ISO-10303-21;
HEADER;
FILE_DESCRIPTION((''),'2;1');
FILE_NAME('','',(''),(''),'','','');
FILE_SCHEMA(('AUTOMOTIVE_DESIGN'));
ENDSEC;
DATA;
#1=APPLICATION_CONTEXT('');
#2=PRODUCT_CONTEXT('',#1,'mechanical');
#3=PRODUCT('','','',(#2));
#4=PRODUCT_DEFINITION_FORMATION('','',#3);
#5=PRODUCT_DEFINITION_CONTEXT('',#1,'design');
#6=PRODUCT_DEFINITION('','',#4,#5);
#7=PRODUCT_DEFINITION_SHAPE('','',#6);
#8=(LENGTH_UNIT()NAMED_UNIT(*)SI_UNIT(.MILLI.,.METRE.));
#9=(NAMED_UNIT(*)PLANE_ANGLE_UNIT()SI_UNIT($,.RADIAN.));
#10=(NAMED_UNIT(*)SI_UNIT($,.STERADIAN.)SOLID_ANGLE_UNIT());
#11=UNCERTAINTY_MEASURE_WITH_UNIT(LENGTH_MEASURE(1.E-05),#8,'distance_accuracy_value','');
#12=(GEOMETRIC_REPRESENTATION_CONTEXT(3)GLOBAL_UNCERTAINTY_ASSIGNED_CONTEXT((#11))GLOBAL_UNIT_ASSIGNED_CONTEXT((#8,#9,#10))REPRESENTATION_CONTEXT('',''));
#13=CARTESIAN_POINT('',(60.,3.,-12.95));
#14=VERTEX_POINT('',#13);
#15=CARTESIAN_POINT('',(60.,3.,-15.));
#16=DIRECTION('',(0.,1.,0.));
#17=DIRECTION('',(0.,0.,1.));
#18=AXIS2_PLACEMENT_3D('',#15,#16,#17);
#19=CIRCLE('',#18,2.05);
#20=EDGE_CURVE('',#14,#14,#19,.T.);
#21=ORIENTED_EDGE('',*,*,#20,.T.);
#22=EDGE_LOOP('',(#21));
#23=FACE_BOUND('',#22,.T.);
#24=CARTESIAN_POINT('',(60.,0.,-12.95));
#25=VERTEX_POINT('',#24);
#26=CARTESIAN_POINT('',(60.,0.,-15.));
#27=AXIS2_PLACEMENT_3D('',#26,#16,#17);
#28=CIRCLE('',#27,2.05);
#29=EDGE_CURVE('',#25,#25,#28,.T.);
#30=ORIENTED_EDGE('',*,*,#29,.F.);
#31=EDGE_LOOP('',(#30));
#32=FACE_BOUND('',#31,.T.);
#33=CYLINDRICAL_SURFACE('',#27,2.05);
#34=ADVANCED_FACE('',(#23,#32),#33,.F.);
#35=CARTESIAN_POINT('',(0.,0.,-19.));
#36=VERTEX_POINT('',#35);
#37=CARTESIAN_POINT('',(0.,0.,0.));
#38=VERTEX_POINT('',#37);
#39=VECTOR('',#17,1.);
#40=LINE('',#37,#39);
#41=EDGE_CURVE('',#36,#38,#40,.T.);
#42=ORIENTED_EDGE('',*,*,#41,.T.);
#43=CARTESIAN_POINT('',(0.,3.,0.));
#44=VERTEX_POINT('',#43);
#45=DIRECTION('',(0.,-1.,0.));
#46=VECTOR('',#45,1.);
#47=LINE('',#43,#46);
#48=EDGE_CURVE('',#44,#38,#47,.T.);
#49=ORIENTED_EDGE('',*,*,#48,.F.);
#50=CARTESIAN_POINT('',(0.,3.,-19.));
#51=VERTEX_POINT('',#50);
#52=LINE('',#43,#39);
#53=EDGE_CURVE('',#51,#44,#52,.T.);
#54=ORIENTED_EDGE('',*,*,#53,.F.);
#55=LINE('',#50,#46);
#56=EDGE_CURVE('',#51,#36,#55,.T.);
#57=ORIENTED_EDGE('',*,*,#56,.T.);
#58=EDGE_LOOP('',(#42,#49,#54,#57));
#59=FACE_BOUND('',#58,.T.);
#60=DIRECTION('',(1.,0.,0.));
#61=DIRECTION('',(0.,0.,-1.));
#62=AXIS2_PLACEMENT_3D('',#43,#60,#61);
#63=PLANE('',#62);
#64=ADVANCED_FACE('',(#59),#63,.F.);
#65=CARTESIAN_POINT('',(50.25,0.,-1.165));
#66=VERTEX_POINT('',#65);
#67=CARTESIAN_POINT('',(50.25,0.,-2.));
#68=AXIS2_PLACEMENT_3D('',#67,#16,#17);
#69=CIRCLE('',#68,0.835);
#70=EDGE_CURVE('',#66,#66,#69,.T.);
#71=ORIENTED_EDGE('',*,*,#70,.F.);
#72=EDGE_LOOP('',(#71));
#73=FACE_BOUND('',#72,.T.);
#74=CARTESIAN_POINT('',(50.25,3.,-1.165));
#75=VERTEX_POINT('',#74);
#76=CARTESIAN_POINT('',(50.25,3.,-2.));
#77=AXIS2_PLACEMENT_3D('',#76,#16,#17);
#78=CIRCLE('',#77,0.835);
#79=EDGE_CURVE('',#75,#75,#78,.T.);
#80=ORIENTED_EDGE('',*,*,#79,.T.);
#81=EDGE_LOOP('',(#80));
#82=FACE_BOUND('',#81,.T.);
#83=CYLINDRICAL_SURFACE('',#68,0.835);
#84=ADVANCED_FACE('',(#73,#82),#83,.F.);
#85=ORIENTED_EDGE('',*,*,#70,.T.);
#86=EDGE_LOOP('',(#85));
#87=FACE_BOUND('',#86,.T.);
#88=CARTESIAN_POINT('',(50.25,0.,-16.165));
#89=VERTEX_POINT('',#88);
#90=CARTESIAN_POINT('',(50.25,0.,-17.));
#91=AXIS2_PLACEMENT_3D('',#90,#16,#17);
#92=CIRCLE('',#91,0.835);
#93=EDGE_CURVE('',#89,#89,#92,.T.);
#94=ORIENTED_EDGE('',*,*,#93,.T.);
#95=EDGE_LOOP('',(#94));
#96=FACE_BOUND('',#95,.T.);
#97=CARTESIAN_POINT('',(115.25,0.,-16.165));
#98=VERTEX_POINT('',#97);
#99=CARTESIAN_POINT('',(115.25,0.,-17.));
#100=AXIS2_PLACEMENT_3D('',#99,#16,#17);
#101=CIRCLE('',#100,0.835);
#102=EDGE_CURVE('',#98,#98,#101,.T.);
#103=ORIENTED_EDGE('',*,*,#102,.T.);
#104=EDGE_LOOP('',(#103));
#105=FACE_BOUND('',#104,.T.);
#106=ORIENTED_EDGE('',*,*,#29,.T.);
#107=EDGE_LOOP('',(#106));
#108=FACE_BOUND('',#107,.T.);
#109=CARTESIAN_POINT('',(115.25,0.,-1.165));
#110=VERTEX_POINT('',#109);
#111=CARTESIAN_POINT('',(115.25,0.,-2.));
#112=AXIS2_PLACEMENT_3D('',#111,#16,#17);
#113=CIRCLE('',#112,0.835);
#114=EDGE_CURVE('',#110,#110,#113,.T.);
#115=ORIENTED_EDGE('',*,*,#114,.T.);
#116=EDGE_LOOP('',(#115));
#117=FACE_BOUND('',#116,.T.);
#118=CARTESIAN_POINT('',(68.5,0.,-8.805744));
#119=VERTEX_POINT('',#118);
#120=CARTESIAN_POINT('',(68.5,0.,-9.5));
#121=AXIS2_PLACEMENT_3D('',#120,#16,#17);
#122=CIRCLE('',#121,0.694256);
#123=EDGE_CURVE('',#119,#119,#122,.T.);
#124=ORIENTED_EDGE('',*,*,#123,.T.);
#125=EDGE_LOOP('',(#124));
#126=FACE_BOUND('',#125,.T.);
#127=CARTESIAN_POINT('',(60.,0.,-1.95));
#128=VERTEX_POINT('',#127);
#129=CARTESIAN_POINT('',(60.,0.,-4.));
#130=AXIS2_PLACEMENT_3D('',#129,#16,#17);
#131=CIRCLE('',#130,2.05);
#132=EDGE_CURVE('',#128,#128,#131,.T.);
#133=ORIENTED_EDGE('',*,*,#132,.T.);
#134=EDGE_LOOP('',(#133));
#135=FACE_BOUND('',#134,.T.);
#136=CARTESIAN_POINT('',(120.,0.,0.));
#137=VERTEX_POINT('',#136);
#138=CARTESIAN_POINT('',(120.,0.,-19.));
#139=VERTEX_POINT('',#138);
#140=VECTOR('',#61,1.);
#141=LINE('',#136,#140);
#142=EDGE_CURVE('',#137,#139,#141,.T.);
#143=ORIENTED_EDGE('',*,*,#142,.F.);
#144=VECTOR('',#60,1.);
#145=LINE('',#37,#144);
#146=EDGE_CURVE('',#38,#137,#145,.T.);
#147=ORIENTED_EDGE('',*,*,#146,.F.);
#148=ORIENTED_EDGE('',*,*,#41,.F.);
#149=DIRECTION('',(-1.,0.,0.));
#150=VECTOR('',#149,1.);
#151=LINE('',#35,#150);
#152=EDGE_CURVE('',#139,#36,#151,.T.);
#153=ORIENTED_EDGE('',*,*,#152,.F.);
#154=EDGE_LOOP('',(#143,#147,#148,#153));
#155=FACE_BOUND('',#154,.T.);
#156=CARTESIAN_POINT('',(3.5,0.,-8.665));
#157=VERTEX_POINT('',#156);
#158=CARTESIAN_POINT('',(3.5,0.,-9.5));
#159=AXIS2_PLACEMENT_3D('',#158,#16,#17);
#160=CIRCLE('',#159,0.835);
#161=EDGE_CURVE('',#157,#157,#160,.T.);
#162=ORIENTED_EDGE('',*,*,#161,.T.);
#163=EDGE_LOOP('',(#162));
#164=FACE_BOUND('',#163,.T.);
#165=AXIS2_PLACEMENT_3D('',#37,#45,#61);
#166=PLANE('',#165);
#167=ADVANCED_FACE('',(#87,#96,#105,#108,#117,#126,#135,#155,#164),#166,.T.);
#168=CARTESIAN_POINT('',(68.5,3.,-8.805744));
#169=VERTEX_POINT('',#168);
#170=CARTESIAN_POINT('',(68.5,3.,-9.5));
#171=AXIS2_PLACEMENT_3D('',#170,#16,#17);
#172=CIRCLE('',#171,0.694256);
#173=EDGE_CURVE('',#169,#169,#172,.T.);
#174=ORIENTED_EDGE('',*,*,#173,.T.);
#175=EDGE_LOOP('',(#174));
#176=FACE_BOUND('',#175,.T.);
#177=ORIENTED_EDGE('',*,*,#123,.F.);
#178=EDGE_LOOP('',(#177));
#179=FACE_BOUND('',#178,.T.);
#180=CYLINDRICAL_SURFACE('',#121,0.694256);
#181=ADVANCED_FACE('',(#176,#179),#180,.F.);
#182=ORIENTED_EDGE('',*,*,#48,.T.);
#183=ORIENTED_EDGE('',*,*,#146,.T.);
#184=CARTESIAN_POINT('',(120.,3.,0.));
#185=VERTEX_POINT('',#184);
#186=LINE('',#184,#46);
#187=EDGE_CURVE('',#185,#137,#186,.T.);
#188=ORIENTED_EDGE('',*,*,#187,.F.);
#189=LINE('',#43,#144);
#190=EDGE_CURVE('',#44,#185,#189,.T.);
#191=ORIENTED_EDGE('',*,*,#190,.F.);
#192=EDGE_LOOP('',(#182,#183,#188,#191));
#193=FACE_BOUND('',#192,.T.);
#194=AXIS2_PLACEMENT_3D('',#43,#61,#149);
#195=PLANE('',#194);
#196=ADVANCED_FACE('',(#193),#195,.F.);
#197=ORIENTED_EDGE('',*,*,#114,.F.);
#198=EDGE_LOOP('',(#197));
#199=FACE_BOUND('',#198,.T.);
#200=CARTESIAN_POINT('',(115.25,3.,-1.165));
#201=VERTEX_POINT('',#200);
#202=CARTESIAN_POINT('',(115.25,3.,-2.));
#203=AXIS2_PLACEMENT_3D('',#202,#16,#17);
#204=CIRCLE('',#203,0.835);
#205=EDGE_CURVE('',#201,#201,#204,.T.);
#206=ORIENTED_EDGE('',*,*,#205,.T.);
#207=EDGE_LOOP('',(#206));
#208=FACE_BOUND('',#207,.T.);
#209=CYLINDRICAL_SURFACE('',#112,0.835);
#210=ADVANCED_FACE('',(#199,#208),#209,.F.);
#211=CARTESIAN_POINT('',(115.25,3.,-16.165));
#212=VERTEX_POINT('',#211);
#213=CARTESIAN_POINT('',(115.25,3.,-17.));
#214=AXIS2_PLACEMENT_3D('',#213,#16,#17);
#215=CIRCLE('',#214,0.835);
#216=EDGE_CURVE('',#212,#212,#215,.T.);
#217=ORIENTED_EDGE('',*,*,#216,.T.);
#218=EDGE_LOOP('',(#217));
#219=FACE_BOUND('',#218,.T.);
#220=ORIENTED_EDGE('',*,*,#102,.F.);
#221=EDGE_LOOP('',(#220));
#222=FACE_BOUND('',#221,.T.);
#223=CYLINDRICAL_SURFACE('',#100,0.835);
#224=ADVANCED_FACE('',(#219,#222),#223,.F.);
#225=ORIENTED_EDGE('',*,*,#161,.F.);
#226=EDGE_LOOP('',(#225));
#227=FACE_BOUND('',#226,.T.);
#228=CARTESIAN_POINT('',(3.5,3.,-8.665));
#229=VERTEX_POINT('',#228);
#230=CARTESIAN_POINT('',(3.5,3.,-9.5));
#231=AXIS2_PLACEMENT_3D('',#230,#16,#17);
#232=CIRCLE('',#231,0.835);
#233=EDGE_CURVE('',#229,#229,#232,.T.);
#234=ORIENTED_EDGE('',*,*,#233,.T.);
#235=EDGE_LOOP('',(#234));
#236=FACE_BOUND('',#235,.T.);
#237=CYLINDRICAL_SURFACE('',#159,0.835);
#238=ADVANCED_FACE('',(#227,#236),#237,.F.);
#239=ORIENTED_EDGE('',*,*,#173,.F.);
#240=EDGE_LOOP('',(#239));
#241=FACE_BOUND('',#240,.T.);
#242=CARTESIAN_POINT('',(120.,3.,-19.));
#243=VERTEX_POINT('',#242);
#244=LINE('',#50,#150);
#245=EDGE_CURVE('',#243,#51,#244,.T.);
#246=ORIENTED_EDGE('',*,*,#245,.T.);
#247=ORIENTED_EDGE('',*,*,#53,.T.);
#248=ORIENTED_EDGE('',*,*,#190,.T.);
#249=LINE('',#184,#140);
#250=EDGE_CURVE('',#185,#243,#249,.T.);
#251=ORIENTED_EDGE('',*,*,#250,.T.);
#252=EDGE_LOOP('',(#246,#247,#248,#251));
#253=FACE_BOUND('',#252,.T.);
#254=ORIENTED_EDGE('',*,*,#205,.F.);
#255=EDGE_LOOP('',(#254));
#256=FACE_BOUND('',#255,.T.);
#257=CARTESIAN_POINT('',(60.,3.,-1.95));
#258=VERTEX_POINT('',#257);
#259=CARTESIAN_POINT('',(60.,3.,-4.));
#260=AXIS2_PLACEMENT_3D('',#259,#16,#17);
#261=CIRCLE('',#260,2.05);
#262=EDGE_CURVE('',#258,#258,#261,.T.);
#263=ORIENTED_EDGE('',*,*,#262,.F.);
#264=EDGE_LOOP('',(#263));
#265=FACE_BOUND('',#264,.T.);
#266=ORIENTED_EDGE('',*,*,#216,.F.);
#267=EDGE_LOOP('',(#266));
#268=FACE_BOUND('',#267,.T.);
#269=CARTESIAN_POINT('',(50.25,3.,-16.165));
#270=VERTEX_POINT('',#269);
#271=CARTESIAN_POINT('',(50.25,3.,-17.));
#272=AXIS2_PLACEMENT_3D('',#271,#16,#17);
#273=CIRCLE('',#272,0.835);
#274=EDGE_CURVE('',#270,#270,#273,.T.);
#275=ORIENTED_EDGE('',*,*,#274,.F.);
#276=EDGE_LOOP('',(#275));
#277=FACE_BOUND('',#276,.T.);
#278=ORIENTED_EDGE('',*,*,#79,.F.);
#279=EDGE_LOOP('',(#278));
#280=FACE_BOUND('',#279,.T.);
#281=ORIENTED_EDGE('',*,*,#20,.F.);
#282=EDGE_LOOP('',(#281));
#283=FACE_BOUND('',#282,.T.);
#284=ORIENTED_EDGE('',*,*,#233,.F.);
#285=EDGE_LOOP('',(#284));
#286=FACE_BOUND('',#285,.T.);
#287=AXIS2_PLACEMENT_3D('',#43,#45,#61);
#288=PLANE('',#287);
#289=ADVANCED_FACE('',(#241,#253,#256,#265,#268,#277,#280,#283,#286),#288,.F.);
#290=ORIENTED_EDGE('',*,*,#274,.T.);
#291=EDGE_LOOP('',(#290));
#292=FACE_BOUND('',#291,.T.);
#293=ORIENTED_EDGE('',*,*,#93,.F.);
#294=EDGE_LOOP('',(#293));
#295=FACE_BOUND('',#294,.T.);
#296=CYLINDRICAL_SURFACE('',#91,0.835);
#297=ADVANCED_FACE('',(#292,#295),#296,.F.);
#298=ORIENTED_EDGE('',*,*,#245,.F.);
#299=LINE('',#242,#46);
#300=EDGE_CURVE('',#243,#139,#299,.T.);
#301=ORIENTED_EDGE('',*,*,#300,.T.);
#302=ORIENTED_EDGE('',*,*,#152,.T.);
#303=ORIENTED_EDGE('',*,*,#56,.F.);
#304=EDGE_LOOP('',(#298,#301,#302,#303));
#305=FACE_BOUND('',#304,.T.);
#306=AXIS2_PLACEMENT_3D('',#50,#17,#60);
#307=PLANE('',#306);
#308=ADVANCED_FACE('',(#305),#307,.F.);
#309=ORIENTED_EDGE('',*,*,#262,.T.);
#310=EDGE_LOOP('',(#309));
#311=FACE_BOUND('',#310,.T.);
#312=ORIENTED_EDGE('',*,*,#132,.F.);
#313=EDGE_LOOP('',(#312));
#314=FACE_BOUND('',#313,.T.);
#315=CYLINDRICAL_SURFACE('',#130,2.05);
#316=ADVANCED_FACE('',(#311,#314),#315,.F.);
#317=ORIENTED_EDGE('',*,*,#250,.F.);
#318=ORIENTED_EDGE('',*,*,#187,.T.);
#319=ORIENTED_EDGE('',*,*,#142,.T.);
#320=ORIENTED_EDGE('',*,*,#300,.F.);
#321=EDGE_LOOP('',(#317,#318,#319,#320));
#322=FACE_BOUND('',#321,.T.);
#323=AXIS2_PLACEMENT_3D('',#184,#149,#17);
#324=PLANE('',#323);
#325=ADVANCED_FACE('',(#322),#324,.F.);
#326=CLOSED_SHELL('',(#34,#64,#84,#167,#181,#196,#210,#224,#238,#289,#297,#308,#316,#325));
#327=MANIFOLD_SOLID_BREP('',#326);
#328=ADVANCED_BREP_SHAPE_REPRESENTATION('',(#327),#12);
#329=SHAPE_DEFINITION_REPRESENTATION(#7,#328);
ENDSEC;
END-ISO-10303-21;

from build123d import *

# Parameters (mm, degrees)
SKETCH1_W           = 120
SKETCH1_H           = 19
BOSS_EXTRUDE1_DEPTH = 3
SKETCH2_R           = 0.835
SKETCH2_R_2         = 0.69425601
SKETCH2_R_3         = 2.05
CUT_EXTRUDE1_DEPTH  = 4


with BuildPart() as part:
    # Sketch1 → Boss-Extrude1 (new body)
    with BuildSketch(Plane(origin=(0, 0, 0), x_dir=(1, 0, 0), z_dir=(0, 1, 0))):
        with Locations((60, 9.5)):
            Rectangle(SKETCH1_W, SKETCH1_H)
    extrude(amount=BOSS_EXTRUDE1_DEPTH)

    # Sketch2 → Cut-Extrude1 (cut, through all)
    with BuildSketch(Plane(origin=(0, 3, 0), x_dir=(1, 0, 0), z_dir=(0, 1, 0))):
        with Locations((3.5, 9.5)):
            Circle(SKETCH2_R)
        with Locations((50.25, 17)):
            Circle(SKETCH2_R)
        with Locations((50.25, 2)):
            Circle(SKETCH2_R)
        with Locations((68.5, 9.5)):
            Circle(SKETCH2_R_2)
        with Locations((115.25, 17)):
            Circle(SKETCH2_R)
        with Locations((115.25, 2)):
            Circle(SKETCH2_R)
        with Locations((60, 15)):
            Circle(SKETCH2_R_3)
        with Locations((60, 4)):
            Circle(SKETCH2_R_3)
    extrude(amount=-CUT_EXTRUDE1_DEPTH, mode=Mode.SUBTRACT)


solid = part.part
